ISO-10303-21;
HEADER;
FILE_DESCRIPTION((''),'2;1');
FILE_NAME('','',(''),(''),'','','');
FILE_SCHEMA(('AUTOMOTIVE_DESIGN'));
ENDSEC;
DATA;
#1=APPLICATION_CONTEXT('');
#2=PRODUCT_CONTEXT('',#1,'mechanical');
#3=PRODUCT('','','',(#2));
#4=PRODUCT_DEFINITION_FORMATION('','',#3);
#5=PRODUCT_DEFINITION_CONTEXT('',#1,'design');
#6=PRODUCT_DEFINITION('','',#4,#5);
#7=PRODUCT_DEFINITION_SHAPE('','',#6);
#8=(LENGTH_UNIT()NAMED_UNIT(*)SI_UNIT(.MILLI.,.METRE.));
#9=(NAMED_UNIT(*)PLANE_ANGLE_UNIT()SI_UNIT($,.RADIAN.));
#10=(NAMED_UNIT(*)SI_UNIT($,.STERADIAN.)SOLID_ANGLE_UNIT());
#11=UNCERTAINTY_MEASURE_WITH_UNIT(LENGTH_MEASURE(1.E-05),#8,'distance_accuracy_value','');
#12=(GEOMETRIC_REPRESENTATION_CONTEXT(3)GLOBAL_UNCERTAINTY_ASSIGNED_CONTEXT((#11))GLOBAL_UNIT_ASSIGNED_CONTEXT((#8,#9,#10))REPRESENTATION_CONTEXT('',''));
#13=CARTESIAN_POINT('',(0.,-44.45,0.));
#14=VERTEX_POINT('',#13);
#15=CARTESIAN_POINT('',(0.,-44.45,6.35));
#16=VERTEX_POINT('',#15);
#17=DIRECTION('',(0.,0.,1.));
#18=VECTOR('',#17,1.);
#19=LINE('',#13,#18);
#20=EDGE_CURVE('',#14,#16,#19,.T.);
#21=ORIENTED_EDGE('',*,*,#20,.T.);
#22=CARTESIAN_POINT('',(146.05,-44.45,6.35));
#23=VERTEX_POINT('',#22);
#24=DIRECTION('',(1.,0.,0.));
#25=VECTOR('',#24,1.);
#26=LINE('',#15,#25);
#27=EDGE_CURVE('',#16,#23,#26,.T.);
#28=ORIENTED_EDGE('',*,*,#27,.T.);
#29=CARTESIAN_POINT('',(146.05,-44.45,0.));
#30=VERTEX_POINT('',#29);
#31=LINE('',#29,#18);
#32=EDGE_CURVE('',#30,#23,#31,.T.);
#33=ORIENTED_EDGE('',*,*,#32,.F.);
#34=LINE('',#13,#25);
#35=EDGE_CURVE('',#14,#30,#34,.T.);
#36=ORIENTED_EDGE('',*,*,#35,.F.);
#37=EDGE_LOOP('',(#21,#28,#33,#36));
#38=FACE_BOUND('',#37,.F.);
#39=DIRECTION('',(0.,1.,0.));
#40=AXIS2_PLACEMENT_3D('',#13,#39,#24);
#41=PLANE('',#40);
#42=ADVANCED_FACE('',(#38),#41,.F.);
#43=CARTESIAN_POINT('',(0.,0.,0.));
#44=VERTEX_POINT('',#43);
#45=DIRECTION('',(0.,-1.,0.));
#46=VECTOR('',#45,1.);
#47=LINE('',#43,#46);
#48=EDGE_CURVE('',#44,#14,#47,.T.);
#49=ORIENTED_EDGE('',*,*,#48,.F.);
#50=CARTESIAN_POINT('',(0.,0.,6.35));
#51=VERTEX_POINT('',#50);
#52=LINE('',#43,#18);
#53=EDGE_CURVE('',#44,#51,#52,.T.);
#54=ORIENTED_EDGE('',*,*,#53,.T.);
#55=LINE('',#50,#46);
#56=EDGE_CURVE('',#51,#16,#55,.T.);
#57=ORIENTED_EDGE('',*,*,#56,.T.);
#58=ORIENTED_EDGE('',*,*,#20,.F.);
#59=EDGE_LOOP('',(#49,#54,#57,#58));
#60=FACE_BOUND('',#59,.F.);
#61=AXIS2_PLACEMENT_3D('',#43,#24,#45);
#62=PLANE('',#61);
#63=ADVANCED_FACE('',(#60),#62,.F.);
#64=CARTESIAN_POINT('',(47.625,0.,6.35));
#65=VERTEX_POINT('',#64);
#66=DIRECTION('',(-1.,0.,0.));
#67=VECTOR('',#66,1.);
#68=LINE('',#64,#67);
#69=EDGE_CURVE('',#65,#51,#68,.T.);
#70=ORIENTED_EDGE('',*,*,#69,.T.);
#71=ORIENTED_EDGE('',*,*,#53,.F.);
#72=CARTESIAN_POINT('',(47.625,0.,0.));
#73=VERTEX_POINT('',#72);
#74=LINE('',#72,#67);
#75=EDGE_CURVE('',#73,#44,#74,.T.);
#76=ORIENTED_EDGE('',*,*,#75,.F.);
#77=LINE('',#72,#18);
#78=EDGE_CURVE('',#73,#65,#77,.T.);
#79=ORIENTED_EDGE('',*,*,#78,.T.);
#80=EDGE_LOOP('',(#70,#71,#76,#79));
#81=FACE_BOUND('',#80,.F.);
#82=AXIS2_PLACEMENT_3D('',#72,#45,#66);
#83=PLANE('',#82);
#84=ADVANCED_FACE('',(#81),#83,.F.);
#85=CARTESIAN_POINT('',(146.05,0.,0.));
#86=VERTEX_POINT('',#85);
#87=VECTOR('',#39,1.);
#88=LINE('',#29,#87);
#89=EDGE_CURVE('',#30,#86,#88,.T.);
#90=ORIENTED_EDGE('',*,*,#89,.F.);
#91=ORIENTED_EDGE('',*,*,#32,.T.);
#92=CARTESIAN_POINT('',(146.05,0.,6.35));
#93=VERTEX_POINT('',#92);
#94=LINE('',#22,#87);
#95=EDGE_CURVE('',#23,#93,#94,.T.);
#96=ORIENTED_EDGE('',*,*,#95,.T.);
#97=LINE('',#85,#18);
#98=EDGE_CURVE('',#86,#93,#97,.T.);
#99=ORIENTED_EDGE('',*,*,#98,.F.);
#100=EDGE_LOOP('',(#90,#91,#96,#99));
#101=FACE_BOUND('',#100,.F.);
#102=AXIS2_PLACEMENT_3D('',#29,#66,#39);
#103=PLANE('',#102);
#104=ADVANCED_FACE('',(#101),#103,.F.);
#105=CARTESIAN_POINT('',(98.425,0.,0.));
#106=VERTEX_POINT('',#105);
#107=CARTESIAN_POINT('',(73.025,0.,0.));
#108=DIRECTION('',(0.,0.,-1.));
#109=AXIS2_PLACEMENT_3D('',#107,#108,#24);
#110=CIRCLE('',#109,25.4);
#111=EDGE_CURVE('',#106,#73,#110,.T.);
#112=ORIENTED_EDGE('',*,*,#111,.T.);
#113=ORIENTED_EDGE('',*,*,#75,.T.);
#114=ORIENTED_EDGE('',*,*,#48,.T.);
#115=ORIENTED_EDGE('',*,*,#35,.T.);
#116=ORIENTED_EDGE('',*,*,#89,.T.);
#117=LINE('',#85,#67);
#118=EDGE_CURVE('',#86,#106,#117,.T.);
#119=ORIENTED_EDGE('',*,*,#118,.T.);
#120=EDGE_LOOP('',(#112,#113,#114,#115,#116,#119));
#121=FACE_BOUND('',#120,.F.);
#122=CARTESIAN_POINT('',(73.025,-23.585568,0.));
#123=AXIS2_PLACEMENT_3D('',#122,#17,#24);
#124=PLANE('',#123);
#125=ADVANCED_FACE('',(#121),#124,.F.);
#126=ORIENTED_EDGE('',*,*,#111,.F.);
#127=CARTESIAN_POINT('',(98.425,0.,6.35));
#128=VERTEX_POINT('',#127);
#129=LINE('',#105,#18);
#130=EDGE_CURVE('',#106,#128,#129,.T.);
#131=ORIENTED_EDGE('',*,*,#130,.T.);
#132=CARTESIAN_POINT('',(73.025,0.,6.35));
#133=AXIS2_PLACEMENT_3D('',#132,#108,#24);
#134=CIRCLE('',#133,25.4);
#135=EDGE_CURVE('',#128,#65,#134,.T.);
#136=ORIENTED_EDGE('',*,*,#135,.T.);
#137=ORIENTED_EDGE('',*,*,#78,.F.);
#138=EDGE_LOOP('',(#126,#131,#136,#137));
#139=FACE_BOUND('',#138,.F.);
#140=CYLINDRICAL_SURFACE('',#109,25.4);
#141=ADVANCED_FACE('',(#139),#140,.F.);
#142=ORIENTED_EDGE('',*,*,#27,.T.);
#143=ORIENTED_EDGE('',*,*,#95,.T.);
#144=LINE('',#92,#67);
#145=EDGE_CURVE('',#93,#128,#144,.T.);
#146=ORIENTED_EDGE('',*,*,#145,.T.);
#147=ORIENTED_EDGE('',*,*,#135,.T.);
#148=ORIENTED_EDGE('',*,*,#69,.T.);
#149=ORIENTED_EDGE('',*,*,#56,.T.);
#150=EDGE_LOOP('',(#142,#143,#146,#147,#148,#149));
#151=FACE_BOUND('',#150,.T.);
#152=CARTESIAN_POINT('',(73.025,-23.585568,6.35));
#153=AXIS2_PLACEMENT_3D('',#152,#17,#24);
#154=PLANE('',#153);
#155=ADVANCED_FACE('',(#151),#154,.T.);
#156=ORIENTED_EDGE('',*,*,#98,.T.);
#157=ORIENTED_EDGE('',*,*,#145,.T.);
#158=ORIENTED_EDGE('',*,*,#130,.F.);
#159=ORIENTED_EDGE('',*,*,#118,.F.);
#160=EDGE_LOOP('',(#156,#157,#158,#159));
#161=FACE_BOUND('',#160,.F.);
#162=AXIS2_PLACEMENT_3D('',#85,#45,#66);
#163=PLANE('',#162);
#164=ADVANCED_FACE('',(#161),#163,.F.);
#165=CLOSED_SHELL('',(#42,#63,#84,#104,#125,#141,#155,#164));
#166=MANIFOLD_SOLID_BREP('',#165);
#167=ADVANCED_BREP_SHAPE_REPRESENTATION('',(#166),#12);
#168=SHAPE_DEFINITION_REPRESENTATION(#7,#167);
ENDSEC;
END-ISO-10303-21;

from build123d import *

# Parameters (mm, degrees)
F1_DEPTH = 6.35


with BuildPart() as f1:
    # F0 (on Top) → F1 (new body)
    with BuildSketch(Plane.XY):
        with BuildLine():
            Line((47.625, 0), (0, 0))
            Line((0, 0), (0, -44.45))
            Line((0, -44.45), (146.05, -44.45))
            Line((146.05, -44.45), (146.05, 0))
            Line((146.05, 0), (98.425, 0))
            ThreePointArc((98.425, 0), (73.025, -25.4), (47.625, 0))
        make_face()
    extrude(amount=F1_DEPTH)


solid = f1.part
